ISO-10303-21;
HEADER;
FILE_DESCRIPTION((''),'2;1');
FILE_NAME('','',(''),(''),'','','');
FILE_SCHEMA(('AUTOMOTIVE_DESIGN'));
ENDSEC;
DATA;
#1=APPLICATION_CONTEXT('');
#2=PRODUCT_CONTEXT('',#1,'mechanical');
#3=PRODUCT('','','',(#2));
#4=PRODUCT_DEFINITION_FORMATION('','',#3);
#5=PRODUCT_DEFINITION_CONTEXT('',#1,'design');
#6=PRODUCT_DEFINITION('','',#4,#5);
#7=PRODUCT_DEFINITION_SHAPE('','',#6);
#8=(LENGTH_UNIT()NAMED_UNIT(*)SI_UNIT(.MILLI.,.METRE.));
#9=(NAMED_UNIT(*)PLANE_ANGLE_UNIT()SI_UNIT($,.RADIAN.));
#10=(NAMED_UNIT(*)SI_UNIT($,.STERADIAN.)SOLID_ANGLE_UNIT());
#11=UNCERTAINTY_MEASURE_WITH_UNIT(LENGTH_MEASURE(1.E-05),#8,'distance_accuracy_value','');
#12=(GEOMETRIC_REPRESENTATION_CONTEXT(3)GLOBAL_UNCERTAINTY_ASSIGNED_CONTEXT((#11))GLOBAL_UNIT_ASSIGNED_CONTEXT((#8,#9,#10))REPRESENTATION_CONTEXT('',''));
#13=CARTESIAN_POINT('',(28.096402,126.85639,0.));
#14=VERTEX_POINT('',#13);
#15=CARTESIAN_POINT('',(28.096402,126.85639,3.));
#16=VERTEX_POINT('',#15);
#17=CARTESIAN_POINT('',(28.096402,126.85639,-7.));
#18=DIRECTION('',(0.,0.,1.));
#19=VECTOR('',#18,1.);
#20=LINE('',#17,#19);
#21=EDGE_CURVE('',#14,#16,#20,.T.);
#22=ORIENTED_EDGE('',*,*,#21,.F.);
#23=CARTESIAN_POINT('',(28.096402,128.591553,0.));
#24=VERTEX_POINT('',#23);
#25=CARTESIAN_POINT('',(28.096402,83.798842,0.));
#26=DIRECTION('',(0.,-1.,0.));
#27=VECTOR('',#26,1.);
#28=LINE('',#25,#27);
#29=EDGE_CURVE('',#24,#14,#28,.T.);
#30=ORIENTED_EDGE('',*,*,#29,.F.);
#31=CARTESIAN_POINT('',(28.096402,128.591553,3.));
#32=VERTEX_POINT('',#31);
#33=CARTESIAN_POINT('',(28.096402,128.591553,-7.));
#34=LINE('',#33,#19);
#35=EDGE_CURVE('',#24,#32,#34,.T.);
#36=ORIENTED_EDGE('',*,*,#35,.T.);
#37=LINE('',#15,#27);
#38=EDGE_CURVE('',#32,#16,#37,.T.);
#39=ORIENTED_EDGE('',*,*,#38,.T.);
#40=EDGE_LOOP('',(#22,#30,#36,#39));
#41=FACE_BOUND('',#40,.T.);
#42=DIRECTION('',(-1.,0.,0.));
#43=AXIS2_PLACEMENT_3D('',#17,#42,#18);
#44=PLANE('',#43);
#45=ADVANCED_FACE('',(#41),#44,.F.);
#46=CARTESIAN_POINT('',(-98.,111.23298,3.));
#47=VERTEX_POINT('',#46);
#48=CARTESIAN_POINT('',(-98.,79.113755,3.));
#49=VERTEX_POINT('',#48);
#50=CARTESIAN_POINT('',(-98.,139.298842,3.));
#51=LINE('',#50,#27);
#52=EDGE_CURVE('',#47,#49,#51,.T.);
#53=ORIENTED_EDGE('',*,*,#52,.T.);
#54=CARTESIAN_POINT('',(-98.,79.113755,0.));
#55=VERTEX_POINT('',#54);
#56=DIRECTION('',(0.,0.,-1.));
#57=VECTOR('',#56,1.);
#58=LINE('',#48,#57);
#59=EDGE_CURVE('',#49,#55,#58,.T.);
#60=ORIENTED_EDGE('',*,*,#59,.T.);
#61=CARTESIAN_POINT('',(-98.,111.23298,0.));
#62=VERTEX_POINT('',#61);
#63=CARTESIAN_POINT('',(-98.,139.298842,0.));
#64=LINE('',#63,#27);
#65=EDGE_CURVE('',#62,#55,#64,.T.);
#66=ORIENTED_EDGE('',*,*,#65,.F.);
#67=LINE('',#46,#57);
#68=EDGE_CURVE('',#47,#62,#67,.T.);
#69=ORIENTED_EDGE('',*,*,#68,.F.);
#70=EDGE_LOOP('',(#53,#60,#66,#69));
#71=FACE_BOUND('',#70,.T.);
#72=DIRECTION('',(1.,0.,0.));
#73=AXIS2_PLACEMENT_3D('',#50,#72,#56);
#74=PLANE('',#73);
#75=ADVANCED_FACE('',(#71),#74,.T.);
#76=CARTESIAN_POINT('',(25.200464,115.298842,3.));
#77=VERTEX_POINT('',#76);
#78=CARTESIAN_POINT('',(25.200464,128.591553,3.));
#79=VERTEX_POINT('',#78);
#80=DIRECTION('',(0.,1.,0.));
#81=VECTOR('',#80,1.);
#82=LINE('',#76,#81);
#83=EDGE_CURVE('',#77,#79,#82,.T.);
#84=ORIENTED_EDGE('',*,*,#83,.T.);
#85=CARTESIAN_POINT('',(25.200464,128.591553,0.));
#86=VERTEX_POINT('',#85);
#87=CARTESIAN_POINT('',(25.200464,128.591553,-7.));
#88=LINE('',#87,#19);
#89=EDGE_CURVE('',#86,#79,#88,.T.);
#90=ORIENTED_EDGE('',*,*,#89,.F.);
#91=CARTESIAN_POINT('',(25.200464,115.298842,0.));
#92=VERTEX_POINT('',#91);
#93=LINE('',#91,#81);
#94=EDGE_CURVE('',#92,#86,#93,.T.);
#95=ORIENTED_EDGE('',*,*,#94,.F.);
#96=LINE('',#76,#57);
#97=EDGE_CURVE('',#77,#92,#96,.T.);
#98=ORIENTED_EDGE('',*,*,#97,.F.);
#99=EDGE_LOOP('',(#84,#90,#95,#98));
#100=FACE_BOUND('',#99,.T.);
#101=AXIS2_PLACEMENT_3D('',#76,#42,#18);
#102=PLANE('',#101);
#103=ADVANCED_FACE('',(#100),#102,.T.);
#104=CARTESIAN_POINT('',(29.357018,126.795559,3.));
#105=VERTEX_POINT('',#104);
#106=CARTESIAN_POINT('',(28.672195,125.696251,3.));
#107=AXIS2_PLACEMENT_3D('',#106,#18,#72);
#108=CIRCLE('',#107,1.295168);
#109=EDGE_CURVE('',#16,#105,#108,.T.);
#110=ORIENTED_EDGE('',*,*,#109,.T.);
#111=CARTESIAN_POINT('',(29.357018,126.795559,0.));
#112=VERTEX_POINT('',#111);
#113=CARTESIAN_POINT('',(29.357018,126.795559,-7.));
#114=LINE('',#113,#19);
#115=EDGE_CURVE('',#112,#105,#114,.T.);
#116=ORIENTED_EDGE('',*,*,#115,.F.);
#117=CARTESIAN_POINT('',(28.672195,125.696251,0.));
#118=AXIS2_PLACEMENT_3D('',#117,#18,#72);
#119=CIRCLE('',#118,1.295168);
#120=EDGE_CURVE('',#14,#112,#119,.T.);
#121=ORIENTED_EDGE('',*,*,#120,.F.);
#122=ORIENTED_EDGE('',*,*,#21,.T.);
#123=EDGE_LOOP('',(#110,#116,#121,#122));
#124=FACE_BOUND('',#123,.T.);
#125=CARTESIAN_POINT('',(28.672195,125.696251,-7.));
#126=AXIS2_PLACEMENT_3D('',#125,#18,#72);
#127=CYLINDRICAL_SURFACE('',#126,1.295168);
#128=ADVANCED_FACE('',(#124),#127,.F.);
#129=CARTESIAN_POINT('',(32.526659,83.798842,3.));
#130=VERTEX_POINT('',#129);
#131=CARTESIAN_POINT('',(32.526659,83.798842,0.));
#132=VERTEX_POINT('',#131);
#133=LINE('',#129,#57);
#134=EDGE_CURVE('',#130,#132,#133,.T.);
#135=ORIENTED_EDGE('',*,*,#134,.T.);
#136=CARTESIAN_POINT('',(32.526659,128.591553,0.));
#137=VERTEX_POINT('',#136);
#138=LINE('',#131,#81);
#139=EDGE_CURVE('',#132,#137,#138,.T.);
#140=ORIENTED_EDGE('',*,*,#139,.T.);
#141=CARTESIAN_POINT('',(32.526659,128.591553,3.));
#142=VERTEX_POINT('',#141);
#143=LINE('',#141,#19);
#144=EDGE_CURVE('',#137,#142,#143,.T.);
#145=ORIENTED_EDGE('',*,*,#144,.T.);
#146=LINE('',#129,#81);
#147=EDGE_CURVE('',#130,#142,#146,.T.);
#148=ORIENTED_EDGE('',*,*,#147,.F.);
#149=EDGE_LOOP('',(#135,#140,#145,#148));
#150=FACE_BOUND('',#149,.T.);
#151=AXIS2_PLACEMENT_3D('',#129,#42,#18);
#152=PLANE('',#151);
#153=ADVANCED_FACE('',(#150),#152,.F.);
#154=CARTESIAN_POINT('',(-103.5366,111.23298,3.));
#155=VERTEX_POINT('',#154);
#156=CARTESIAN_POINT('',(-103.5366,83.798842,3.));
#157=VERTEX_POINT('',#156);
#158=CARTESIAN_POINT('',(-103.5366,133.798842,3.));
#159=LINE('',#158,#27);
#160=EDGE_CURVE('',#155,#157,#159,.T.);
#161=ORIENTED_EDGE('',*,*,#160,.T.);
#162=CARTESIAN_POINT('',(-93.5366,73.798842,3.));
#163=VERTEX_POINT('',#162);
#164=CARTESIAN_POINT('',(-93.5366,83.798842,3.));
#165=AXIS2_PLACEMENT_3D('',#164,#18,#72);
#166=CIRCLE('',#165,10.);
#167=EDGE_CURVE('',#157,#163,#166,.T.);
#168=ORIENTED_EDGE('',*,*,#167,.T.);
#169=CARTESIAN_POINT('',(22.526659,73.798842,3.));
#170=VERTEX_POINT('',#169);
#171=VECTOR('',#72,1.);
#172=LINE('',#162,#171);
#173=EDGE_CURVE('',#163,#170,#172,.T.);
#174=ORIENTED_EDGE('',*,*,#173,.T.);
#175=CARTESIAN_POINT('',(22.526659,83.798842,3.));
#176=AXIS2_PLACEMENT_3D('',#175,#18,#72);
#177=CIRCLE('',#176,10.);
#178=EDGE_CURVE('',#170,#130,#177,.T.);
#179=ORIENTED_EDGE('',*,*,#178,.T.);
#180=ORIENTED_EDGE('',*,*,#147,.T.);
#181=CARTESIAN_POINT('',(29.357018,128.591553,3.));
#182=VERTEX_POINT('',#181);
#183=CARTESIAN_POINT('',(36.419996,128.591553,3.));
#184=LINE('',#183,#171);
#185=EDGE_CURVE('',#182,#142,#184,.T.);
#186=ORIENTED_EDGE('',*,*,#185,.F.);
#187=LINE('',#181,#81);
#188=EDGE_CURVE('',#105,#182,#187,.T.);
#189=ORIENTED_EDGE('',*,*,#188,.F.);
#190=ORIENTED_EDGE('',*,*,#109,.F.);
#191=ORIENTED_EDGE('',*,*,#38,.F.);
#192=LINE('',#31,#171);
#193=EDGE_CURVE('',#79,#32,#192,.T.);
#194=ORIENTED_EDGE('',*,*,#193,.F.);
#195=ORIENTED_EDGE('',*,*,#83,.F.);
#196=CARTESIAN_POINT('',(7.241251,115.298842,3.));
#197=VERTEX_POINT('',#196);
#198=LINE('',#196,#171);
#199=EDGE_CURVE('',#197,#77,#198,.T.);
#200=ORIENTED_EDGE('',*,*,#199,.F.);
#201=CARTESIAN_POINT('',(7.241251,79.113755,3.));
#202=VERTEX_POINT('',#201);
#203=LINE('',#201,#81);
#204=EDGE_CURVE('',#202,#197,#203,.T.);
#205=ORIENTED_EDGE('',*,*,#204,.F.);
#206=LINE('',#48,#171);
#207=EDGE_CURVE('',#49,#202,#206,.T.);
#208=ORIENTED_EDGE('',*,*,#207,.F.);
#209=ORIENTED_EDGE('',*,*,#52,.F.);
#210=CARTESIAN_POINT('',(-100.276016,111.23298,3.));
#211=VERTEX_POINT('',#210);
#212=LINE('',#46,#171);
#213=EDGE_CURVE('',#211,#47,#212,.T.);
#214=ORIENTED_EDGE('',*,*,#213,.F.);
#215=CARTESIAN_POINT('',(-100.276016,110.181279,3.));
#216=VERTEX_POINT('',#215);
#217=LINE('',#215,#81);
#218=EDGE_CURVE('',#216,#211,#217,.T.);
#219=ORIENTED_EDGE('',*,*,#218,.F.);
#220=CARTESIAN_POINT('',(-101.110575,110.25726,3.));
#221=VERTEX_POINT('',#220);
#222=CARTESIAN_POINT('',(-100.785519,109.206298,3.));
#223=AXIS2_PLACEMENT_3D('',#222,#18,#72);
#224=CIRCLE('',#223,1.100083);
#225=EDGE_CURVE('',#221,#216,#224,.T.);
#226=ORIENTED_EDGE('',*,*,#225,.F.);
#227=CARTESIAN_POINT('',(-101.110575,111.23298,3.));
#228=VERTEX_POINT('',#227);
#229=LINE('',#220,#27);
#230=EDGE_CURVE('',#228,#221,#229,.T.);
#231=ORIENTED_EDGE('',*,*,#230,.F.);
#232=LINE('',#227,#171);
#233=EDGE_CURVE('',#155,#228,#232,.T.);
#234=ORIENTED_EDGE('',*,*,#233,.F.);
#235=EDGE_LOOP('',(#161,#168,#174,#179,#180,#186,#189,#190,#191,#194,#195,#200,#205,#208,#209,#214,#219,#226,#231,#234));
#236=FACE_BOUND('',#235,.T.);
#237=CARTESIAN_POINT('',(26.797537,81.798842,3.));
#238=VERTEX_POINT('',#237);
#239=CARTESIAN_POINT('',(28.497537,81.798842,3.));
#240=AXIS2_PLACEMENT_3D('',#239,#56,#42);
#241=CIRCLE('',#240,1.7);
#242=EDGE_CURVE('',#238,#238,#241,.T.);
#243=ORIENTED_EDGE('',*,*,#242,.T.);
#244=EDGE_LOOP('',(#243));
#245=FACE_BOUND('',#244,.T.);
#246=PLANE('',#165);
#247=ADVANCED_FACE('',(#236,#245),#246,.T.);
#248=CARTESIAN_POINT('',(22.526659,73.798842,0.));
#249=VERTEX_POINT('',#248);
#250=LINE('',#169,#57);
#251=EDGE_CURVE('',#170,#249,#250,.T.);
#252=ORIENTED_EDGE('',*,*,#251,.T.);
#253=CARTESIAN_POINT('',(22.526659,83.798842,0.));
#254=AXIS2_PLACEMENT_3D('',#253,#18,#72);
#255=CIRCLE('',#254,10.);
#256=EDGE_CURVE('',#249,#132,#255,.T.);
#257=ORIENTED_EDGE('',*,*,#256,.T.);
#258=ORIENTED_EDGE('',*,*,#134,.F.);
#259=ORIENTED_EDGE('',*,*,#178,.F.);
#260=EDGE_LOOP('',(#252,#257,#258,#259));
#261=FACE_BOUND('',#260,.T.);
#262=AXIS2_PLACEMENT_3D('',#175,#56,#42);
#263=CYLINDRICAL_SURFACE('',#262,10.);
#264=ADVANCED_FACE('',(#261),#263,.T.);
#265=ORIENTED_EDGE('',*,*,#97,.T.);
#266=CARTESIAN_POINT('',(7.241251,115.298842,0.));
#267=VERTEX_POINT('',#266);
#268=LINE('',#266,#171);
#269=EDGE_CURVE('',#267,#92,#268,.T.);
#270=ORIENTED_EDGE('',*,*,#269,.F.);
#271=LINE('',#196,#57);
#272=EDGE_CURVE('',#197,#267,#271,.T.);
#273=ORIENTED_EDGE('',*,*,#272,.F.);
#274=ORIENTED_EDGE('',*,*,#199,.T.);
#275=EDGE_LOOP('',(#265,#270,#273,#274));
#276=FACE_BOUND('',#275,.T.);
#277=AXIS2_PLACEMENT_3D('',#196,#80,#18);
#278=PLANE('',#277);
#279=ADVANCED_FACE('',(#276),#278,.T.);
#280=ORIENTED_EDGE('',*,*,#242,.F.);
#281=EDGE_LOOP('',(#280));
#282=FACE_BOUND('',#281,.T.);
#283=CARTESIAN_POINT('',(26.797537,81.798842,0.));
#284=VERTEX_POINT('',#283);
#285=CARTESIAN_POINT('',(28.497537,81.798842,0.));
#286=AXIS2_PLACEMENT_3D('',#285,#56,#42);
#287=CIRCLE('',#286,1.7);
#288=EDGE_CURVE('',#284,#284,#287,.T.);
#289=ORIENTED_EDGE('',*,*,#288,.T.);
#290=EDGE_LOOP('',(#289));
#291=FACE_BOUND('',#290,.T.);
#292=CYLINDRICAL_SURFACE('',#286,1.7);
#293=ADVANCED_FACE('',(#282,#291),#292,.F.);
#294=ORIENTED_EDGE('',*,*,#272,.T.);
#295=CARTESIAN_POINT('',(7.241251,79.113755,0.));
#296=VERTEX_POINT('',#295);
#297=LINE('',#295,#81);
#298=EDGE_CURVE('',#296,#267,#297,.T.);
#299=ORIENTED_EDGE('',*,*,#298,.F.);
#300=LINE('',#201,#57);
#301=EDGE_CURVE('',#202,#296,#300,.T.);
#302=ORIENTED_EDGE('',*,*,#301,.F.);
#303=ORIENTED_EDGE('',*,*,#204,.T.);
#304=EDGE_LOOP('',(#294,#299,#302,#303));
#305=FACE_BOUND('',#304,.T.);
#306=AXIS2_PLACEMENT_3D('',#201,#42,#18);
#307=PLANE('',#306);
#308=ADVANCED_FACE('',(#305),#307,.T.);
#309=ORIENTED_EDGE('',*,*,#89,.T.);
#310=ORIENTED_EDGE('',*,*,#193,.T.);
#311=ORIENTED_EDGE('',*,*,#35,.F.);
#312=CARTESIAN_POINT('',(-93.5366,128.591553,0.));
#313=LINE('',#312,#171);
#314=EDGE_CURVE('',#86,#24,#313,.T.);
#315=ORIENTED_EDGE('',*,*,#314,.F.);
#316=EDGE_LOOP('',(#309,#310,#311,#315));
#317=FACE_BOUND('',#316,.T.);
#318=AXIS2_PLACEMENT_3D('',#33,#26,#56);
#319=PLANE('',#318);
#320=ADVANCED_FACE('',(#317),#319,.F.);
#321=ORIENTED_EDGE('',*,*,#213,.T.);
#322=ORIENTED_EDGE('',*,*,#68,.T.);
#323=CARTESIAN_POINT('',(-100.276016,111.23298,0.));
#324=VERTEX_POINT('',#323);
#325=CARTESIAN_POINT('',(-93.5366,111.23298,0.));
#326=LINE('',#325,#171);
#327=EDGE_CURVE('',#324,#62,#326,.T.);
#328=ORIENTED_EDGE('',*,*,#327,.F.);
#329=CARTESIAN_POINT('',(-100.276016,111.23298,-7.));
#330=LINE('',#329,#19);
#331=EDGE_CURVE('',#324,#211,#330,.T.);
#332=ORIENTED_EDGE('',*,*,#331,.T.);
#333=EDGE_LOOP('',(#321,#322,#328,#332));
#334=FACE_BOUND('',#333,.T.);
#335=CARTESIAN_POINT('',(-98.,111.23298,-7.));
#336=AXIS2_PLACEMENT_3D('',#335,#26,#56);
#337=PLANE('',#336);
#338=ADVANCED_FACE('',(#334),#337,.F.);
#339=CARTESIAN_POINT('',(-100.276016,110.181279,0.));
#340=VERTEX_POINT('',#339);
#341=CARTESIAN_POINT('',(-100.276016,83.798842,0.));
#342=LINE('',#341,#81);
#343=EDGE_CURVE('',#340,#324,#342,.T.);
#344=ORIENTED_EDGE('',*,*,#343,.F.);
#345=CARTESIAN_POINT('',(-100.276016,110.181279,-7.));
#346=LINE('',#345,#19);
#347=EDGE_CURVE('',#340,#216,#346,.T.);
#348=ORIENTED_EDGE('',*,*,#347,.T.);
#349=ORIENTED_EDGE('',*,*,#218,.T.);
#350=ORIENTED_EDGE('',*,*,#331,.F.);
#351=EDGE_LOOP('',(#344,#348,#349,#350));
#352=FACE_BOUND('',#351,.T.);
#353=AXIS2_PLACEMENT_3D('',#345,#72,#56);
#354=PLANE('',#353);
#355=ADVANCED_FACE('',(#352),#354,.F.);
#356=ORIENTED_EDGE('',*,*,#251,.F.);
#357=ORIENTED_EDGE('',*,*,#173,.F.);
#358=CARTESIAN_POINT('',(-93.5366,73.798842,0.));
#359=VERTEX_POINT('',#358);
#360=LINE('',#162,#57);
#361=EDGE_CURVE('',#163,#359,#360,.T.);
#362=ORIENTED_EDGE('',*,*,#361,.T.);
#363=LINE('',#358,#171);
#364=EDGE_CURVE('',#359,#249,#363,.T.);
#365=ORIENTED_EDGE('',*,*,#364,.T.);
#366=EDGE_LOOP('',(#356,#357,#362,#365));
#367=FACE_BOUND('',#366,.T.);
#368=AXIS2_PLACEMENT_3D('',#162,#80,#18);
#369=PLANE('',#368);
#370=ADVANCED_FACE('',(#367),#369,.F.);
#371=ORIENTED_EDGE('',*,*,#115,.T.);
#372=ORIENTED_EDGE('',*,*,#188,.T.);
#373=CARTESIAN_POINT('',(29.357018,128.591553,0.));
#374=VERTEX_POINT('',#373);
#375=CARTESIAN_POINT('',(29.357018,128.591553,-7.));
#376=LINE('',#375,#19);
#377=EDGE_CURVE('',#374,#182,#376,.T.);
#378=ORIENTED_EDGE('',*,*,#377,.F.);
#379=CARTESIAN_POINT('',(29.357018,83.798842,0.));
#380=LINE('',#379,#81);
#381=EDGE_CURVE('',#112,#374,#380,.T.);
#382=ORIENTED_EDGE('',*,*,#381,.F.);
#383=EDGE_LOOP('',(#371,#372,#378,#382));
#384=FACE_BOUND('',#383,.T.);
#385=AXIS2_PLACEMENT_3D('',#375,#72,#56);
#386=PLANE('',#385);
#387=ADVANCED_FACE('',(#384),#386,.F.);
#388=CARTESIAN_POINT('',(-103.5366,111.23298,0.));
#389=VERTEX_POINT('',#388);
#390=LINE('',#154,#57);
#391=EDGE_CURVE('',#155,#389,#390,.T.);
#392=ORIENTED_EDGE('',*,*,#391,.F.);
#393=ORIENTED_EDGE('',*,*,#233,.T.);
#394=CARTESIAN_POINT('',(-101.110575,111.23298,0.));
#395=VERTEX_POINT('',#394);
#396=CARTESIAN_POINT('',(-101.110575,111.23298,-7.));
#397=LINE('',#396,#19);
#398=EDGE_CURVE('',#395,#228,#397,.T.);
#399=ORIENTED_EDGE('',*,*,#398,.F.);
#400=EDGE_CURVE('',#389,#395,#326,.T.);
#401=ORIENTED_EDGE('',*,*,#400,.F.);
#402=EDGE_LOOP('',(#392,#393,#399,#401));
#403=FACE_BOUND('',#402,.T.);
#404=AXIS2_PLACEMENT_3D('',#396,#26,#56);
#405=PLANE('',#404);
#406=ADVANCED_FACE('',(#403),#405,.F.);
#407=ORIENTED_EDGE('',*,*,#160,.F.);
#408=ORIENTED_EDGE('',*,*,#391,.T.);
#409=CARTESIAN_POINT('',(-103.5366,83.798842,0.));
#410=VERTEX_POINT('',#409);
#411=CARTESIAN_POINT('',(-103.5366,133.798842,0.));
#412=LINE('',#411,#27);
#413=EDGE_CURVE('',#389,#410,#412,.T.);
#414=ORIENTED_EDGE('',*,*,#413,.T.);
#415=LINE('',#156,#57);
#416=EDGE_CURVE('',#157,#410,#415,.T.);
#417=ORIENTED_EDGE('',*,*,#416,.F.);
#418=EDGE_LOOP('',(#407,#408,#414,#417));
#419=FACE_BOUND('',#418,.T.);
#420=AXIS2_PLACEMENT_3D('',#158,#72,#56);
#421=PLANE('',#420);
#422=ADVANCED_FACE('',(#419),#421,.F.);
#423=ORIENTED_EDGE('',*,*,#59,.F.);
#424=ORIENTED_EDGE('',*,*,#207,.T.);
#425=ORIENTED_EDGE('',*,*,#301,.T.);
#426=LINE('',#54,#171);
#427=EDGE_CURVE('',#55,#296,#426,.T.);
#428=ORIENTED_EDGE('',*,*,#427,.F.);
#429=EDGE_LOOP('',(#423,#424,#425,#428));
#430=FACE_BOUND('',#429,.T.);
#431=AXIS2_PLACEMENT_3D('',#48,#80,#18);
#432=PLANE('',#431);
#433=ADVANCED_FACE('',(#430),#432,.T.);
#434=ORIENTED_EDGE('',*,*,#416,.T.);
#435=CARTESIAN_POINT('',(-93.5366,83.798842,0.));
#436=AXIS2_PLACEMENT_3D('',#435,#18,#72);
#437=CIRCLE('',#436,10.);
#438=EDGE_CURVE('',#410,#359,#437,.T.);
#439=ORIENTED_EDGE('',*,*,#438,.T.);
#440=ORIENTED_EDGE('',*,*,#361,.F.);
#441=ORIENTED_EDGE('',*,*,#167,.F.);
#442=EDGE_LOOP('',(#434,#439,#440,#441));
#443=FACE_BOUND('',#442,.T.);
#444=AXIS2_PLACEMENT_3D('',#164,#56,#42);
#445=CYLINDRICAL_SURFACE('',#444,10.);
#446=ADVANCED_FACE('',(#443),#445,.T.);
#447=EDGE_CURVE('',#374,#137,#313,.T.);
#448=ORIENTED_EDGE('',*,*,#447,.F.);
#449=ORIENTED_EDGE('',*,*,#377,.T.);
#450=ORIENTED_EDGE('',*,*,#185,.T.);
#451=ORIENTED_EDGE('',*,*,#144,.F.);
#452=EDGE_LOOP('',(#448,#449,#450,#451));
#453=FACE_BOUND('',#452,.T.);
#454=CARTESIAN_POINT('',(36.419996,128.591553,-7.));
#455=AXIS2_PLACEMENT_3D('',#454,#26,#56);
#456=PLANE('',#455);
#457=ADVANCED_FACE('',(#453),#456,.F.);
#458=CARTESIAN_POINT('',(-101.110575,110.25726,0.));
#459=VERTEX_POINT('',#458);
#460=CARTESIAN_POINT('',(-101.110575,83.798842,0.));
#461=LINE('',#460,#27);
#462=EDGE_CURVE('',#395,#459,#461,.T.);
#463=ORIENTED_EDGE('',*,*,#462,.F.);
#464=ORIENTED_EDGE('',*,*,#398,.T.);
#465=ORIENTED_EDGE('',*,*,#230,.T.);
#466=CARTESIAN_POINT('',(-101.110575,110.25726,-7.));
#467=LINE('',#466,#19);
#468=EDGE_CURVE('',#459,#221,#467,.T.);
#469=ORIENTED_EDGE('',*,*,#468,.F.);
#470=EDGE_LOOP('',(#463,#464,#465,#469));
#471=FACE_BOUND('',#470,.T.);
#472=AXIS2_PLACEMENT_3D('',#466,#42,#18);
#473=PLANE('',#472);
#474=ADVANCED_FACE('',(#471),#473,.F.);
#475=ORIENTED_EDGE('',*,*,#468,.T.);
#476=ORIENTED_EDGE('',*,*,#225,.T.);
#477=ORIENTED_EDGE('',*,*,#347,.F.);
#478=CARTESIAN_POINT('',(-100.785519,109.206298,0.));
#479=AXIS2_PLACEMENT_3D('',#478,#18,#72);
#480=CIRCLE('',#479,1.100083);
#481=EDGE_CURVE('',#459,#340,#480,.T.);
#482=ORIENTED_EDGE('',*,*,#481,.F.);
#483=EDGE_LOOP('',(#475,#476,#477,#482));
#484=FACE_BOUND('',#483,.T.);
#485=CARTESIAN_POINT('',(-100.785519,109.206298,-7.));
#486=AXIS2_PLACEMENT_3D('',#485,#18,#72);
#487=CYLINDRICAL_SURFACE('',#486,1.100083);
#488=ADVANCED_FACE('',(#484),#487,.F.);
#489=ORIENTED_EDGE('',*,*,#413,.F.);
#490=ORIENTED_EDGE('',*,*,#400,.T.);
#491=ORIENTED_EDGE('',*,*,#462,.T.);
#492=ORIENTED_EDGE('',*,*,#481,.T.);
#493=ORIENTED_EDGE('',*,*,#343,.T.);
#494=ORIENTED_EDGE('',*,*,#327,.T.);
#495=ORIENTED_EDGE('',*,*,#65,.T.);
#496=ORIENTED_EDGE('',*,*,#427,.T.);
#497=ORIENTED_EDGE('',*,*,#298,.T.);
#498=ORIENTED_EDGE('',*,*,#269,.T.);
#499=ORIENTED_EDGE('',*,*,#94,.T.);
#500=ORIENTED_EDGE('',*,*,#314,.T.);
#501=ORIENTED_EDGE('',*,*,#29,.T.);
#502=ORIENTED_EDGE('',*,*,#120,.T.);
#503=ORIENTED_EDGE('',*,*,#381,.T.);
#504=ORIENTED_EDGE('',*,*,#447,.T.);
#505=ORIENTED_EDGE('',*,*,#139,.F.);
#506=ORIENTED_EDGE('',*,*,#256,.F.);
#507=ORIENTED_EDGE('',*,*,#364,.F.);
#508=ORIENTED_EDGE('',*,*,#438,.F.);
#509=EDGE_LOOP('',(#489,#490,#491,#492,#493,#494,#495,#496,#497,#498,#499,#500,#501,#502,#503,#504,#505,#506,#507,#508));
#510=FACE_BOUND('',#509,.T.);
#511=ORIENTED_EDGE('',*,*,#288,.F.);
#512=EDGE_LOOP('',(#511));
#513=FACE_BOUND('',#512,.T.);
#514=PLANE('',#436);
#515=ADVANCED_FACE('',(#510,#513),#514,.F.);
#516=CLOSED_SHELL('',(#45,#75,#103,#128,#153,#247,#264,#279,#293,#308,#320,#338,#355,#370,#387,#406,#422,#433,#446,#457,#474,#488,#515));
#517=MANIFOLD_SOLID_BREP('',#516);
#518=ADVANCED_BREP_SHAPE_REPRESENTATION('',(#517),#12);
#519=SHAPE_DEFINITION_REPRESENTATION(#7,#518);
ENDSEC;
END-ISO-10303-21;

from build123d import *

# Parameters (mm, degrees)
BOSS_EXTRUDE1_DEPTH  = 3
M3_CLEARANCE_HOLE1_D = 3.4
CUT_EXTRUDE1_DEPTH   = 10


with BuildPart() as part:
    # Sketch1 → Boss-Extrude1 (new body)
    with BuildSketch(Plane.XY):
        with BuildLine():
            Line((-93.536600288, 73.798841742), (22.52665856, 73.798841742))
            ThreePointArc((22.52665856, 73.798841742), (29.597726372, 76.72777393), (32.52665856, 83.798841742))
            Line((32.52665856, 83.798841742), (32.52665856, 133.798841742))
            ThreePointArc((32.52665856, 133.798841742), (29.597726372, 140.869909554), (22.52665856, 143.798841742))
            Line((22.52665856, 143.798841742), (-93.536600288, 143.798841742))
            ThreePointArc((-93.536600288, 143.798841742), (-100.6076681, 140.869909554), (-103.536600288, 133.798841742))
            Line((-103.536600288, 133.798841742), (-103.536600288, 83.798841742))
            ThreePointArc((-103.536600288, 83.798841742), (-100.6076681, 76.72777393), (-93.536600288, 73.798841742))
        make_face()
        Polygon((7.241251279, 79.113754803), (7.241251279, 115.298841742), (25.200464445, 115.298841742), (25.200464445, 141.298841742), (-63.686125174, 141.298841742), (-63.686125174, 139.298841742), (-98, 139.298841742), (-98, 79.113754803), align=None, mode=Mode.SUBTRACT)
    extrude(amount=BOSS_EXTRUDE1_DEPTH)

    # M3 Clearance Hole1 (through all)
    with Locations(Plane(origin=(0, 0, 0), x_dir=(-1, 0, 0), z_dir=(0, 0, -1))):
        with Locations((-28.497536526, 136.798841742), (-28.497536526, 81.798841742)):
            Hole(M3_CLEARANCE_HOLE1_D / 2)

    # Sketch2 → Cut-Extrude1 (cut)
    with BuildSketch(Plane.XY.offset(3)):
        with BuildLine():
            Line((-98, 111.232980273), (-100.276015927, 111.232980273))
            Line((-100.276015927, 111.232980273), (-100.276015927, 110.181279495))
            ThreePointArc((-100.276015927, 110.181279495), (-100.885260547, 108.11074669), (-101.110575194, 110.257259772))
            Line((-101.110575194, 110.257259772), (-101.110575194, 111.232980273))
            Line((-101.110575194, 111.232980273), (-103.536600288, 111.232980273))
            Line((-103.536600288, 111.232980273), (-103.536600288, 155.169137996))
            Line((-103.536600288, 155.169137996), (37.520914888, 146.495442913))
            Line((37.520914888, 146.495442913), (36.419995989, 128.591552724))
            Line((36.419995989, 128.591552724), (32.52665856, 128.591552724))
            Line((32.52665856, 128.591552724), (29.357018022, 128.591552724))
            Line((29.357018022, 128.591552724), (29.357018022, 126.79555932))
            ThreePointArc((29.357018022, 126.79555932), (28.609769319, 124.402587901), (28.09640217, 126.856390462))
            Line((28.09640217, 126.856390462), (28.09640217, 128.591552724))
            Line((28.09640217, 128.591552724), (25.200464445, 128.591552724))
            Line((25.200464445, 128.591552724), (-98, 111.232980273))
        make_face()
    extrude(amount=-CUT_EXTRUDE1_DEPTH, mode=Mode.SUBTRACT)


solid = part.part
